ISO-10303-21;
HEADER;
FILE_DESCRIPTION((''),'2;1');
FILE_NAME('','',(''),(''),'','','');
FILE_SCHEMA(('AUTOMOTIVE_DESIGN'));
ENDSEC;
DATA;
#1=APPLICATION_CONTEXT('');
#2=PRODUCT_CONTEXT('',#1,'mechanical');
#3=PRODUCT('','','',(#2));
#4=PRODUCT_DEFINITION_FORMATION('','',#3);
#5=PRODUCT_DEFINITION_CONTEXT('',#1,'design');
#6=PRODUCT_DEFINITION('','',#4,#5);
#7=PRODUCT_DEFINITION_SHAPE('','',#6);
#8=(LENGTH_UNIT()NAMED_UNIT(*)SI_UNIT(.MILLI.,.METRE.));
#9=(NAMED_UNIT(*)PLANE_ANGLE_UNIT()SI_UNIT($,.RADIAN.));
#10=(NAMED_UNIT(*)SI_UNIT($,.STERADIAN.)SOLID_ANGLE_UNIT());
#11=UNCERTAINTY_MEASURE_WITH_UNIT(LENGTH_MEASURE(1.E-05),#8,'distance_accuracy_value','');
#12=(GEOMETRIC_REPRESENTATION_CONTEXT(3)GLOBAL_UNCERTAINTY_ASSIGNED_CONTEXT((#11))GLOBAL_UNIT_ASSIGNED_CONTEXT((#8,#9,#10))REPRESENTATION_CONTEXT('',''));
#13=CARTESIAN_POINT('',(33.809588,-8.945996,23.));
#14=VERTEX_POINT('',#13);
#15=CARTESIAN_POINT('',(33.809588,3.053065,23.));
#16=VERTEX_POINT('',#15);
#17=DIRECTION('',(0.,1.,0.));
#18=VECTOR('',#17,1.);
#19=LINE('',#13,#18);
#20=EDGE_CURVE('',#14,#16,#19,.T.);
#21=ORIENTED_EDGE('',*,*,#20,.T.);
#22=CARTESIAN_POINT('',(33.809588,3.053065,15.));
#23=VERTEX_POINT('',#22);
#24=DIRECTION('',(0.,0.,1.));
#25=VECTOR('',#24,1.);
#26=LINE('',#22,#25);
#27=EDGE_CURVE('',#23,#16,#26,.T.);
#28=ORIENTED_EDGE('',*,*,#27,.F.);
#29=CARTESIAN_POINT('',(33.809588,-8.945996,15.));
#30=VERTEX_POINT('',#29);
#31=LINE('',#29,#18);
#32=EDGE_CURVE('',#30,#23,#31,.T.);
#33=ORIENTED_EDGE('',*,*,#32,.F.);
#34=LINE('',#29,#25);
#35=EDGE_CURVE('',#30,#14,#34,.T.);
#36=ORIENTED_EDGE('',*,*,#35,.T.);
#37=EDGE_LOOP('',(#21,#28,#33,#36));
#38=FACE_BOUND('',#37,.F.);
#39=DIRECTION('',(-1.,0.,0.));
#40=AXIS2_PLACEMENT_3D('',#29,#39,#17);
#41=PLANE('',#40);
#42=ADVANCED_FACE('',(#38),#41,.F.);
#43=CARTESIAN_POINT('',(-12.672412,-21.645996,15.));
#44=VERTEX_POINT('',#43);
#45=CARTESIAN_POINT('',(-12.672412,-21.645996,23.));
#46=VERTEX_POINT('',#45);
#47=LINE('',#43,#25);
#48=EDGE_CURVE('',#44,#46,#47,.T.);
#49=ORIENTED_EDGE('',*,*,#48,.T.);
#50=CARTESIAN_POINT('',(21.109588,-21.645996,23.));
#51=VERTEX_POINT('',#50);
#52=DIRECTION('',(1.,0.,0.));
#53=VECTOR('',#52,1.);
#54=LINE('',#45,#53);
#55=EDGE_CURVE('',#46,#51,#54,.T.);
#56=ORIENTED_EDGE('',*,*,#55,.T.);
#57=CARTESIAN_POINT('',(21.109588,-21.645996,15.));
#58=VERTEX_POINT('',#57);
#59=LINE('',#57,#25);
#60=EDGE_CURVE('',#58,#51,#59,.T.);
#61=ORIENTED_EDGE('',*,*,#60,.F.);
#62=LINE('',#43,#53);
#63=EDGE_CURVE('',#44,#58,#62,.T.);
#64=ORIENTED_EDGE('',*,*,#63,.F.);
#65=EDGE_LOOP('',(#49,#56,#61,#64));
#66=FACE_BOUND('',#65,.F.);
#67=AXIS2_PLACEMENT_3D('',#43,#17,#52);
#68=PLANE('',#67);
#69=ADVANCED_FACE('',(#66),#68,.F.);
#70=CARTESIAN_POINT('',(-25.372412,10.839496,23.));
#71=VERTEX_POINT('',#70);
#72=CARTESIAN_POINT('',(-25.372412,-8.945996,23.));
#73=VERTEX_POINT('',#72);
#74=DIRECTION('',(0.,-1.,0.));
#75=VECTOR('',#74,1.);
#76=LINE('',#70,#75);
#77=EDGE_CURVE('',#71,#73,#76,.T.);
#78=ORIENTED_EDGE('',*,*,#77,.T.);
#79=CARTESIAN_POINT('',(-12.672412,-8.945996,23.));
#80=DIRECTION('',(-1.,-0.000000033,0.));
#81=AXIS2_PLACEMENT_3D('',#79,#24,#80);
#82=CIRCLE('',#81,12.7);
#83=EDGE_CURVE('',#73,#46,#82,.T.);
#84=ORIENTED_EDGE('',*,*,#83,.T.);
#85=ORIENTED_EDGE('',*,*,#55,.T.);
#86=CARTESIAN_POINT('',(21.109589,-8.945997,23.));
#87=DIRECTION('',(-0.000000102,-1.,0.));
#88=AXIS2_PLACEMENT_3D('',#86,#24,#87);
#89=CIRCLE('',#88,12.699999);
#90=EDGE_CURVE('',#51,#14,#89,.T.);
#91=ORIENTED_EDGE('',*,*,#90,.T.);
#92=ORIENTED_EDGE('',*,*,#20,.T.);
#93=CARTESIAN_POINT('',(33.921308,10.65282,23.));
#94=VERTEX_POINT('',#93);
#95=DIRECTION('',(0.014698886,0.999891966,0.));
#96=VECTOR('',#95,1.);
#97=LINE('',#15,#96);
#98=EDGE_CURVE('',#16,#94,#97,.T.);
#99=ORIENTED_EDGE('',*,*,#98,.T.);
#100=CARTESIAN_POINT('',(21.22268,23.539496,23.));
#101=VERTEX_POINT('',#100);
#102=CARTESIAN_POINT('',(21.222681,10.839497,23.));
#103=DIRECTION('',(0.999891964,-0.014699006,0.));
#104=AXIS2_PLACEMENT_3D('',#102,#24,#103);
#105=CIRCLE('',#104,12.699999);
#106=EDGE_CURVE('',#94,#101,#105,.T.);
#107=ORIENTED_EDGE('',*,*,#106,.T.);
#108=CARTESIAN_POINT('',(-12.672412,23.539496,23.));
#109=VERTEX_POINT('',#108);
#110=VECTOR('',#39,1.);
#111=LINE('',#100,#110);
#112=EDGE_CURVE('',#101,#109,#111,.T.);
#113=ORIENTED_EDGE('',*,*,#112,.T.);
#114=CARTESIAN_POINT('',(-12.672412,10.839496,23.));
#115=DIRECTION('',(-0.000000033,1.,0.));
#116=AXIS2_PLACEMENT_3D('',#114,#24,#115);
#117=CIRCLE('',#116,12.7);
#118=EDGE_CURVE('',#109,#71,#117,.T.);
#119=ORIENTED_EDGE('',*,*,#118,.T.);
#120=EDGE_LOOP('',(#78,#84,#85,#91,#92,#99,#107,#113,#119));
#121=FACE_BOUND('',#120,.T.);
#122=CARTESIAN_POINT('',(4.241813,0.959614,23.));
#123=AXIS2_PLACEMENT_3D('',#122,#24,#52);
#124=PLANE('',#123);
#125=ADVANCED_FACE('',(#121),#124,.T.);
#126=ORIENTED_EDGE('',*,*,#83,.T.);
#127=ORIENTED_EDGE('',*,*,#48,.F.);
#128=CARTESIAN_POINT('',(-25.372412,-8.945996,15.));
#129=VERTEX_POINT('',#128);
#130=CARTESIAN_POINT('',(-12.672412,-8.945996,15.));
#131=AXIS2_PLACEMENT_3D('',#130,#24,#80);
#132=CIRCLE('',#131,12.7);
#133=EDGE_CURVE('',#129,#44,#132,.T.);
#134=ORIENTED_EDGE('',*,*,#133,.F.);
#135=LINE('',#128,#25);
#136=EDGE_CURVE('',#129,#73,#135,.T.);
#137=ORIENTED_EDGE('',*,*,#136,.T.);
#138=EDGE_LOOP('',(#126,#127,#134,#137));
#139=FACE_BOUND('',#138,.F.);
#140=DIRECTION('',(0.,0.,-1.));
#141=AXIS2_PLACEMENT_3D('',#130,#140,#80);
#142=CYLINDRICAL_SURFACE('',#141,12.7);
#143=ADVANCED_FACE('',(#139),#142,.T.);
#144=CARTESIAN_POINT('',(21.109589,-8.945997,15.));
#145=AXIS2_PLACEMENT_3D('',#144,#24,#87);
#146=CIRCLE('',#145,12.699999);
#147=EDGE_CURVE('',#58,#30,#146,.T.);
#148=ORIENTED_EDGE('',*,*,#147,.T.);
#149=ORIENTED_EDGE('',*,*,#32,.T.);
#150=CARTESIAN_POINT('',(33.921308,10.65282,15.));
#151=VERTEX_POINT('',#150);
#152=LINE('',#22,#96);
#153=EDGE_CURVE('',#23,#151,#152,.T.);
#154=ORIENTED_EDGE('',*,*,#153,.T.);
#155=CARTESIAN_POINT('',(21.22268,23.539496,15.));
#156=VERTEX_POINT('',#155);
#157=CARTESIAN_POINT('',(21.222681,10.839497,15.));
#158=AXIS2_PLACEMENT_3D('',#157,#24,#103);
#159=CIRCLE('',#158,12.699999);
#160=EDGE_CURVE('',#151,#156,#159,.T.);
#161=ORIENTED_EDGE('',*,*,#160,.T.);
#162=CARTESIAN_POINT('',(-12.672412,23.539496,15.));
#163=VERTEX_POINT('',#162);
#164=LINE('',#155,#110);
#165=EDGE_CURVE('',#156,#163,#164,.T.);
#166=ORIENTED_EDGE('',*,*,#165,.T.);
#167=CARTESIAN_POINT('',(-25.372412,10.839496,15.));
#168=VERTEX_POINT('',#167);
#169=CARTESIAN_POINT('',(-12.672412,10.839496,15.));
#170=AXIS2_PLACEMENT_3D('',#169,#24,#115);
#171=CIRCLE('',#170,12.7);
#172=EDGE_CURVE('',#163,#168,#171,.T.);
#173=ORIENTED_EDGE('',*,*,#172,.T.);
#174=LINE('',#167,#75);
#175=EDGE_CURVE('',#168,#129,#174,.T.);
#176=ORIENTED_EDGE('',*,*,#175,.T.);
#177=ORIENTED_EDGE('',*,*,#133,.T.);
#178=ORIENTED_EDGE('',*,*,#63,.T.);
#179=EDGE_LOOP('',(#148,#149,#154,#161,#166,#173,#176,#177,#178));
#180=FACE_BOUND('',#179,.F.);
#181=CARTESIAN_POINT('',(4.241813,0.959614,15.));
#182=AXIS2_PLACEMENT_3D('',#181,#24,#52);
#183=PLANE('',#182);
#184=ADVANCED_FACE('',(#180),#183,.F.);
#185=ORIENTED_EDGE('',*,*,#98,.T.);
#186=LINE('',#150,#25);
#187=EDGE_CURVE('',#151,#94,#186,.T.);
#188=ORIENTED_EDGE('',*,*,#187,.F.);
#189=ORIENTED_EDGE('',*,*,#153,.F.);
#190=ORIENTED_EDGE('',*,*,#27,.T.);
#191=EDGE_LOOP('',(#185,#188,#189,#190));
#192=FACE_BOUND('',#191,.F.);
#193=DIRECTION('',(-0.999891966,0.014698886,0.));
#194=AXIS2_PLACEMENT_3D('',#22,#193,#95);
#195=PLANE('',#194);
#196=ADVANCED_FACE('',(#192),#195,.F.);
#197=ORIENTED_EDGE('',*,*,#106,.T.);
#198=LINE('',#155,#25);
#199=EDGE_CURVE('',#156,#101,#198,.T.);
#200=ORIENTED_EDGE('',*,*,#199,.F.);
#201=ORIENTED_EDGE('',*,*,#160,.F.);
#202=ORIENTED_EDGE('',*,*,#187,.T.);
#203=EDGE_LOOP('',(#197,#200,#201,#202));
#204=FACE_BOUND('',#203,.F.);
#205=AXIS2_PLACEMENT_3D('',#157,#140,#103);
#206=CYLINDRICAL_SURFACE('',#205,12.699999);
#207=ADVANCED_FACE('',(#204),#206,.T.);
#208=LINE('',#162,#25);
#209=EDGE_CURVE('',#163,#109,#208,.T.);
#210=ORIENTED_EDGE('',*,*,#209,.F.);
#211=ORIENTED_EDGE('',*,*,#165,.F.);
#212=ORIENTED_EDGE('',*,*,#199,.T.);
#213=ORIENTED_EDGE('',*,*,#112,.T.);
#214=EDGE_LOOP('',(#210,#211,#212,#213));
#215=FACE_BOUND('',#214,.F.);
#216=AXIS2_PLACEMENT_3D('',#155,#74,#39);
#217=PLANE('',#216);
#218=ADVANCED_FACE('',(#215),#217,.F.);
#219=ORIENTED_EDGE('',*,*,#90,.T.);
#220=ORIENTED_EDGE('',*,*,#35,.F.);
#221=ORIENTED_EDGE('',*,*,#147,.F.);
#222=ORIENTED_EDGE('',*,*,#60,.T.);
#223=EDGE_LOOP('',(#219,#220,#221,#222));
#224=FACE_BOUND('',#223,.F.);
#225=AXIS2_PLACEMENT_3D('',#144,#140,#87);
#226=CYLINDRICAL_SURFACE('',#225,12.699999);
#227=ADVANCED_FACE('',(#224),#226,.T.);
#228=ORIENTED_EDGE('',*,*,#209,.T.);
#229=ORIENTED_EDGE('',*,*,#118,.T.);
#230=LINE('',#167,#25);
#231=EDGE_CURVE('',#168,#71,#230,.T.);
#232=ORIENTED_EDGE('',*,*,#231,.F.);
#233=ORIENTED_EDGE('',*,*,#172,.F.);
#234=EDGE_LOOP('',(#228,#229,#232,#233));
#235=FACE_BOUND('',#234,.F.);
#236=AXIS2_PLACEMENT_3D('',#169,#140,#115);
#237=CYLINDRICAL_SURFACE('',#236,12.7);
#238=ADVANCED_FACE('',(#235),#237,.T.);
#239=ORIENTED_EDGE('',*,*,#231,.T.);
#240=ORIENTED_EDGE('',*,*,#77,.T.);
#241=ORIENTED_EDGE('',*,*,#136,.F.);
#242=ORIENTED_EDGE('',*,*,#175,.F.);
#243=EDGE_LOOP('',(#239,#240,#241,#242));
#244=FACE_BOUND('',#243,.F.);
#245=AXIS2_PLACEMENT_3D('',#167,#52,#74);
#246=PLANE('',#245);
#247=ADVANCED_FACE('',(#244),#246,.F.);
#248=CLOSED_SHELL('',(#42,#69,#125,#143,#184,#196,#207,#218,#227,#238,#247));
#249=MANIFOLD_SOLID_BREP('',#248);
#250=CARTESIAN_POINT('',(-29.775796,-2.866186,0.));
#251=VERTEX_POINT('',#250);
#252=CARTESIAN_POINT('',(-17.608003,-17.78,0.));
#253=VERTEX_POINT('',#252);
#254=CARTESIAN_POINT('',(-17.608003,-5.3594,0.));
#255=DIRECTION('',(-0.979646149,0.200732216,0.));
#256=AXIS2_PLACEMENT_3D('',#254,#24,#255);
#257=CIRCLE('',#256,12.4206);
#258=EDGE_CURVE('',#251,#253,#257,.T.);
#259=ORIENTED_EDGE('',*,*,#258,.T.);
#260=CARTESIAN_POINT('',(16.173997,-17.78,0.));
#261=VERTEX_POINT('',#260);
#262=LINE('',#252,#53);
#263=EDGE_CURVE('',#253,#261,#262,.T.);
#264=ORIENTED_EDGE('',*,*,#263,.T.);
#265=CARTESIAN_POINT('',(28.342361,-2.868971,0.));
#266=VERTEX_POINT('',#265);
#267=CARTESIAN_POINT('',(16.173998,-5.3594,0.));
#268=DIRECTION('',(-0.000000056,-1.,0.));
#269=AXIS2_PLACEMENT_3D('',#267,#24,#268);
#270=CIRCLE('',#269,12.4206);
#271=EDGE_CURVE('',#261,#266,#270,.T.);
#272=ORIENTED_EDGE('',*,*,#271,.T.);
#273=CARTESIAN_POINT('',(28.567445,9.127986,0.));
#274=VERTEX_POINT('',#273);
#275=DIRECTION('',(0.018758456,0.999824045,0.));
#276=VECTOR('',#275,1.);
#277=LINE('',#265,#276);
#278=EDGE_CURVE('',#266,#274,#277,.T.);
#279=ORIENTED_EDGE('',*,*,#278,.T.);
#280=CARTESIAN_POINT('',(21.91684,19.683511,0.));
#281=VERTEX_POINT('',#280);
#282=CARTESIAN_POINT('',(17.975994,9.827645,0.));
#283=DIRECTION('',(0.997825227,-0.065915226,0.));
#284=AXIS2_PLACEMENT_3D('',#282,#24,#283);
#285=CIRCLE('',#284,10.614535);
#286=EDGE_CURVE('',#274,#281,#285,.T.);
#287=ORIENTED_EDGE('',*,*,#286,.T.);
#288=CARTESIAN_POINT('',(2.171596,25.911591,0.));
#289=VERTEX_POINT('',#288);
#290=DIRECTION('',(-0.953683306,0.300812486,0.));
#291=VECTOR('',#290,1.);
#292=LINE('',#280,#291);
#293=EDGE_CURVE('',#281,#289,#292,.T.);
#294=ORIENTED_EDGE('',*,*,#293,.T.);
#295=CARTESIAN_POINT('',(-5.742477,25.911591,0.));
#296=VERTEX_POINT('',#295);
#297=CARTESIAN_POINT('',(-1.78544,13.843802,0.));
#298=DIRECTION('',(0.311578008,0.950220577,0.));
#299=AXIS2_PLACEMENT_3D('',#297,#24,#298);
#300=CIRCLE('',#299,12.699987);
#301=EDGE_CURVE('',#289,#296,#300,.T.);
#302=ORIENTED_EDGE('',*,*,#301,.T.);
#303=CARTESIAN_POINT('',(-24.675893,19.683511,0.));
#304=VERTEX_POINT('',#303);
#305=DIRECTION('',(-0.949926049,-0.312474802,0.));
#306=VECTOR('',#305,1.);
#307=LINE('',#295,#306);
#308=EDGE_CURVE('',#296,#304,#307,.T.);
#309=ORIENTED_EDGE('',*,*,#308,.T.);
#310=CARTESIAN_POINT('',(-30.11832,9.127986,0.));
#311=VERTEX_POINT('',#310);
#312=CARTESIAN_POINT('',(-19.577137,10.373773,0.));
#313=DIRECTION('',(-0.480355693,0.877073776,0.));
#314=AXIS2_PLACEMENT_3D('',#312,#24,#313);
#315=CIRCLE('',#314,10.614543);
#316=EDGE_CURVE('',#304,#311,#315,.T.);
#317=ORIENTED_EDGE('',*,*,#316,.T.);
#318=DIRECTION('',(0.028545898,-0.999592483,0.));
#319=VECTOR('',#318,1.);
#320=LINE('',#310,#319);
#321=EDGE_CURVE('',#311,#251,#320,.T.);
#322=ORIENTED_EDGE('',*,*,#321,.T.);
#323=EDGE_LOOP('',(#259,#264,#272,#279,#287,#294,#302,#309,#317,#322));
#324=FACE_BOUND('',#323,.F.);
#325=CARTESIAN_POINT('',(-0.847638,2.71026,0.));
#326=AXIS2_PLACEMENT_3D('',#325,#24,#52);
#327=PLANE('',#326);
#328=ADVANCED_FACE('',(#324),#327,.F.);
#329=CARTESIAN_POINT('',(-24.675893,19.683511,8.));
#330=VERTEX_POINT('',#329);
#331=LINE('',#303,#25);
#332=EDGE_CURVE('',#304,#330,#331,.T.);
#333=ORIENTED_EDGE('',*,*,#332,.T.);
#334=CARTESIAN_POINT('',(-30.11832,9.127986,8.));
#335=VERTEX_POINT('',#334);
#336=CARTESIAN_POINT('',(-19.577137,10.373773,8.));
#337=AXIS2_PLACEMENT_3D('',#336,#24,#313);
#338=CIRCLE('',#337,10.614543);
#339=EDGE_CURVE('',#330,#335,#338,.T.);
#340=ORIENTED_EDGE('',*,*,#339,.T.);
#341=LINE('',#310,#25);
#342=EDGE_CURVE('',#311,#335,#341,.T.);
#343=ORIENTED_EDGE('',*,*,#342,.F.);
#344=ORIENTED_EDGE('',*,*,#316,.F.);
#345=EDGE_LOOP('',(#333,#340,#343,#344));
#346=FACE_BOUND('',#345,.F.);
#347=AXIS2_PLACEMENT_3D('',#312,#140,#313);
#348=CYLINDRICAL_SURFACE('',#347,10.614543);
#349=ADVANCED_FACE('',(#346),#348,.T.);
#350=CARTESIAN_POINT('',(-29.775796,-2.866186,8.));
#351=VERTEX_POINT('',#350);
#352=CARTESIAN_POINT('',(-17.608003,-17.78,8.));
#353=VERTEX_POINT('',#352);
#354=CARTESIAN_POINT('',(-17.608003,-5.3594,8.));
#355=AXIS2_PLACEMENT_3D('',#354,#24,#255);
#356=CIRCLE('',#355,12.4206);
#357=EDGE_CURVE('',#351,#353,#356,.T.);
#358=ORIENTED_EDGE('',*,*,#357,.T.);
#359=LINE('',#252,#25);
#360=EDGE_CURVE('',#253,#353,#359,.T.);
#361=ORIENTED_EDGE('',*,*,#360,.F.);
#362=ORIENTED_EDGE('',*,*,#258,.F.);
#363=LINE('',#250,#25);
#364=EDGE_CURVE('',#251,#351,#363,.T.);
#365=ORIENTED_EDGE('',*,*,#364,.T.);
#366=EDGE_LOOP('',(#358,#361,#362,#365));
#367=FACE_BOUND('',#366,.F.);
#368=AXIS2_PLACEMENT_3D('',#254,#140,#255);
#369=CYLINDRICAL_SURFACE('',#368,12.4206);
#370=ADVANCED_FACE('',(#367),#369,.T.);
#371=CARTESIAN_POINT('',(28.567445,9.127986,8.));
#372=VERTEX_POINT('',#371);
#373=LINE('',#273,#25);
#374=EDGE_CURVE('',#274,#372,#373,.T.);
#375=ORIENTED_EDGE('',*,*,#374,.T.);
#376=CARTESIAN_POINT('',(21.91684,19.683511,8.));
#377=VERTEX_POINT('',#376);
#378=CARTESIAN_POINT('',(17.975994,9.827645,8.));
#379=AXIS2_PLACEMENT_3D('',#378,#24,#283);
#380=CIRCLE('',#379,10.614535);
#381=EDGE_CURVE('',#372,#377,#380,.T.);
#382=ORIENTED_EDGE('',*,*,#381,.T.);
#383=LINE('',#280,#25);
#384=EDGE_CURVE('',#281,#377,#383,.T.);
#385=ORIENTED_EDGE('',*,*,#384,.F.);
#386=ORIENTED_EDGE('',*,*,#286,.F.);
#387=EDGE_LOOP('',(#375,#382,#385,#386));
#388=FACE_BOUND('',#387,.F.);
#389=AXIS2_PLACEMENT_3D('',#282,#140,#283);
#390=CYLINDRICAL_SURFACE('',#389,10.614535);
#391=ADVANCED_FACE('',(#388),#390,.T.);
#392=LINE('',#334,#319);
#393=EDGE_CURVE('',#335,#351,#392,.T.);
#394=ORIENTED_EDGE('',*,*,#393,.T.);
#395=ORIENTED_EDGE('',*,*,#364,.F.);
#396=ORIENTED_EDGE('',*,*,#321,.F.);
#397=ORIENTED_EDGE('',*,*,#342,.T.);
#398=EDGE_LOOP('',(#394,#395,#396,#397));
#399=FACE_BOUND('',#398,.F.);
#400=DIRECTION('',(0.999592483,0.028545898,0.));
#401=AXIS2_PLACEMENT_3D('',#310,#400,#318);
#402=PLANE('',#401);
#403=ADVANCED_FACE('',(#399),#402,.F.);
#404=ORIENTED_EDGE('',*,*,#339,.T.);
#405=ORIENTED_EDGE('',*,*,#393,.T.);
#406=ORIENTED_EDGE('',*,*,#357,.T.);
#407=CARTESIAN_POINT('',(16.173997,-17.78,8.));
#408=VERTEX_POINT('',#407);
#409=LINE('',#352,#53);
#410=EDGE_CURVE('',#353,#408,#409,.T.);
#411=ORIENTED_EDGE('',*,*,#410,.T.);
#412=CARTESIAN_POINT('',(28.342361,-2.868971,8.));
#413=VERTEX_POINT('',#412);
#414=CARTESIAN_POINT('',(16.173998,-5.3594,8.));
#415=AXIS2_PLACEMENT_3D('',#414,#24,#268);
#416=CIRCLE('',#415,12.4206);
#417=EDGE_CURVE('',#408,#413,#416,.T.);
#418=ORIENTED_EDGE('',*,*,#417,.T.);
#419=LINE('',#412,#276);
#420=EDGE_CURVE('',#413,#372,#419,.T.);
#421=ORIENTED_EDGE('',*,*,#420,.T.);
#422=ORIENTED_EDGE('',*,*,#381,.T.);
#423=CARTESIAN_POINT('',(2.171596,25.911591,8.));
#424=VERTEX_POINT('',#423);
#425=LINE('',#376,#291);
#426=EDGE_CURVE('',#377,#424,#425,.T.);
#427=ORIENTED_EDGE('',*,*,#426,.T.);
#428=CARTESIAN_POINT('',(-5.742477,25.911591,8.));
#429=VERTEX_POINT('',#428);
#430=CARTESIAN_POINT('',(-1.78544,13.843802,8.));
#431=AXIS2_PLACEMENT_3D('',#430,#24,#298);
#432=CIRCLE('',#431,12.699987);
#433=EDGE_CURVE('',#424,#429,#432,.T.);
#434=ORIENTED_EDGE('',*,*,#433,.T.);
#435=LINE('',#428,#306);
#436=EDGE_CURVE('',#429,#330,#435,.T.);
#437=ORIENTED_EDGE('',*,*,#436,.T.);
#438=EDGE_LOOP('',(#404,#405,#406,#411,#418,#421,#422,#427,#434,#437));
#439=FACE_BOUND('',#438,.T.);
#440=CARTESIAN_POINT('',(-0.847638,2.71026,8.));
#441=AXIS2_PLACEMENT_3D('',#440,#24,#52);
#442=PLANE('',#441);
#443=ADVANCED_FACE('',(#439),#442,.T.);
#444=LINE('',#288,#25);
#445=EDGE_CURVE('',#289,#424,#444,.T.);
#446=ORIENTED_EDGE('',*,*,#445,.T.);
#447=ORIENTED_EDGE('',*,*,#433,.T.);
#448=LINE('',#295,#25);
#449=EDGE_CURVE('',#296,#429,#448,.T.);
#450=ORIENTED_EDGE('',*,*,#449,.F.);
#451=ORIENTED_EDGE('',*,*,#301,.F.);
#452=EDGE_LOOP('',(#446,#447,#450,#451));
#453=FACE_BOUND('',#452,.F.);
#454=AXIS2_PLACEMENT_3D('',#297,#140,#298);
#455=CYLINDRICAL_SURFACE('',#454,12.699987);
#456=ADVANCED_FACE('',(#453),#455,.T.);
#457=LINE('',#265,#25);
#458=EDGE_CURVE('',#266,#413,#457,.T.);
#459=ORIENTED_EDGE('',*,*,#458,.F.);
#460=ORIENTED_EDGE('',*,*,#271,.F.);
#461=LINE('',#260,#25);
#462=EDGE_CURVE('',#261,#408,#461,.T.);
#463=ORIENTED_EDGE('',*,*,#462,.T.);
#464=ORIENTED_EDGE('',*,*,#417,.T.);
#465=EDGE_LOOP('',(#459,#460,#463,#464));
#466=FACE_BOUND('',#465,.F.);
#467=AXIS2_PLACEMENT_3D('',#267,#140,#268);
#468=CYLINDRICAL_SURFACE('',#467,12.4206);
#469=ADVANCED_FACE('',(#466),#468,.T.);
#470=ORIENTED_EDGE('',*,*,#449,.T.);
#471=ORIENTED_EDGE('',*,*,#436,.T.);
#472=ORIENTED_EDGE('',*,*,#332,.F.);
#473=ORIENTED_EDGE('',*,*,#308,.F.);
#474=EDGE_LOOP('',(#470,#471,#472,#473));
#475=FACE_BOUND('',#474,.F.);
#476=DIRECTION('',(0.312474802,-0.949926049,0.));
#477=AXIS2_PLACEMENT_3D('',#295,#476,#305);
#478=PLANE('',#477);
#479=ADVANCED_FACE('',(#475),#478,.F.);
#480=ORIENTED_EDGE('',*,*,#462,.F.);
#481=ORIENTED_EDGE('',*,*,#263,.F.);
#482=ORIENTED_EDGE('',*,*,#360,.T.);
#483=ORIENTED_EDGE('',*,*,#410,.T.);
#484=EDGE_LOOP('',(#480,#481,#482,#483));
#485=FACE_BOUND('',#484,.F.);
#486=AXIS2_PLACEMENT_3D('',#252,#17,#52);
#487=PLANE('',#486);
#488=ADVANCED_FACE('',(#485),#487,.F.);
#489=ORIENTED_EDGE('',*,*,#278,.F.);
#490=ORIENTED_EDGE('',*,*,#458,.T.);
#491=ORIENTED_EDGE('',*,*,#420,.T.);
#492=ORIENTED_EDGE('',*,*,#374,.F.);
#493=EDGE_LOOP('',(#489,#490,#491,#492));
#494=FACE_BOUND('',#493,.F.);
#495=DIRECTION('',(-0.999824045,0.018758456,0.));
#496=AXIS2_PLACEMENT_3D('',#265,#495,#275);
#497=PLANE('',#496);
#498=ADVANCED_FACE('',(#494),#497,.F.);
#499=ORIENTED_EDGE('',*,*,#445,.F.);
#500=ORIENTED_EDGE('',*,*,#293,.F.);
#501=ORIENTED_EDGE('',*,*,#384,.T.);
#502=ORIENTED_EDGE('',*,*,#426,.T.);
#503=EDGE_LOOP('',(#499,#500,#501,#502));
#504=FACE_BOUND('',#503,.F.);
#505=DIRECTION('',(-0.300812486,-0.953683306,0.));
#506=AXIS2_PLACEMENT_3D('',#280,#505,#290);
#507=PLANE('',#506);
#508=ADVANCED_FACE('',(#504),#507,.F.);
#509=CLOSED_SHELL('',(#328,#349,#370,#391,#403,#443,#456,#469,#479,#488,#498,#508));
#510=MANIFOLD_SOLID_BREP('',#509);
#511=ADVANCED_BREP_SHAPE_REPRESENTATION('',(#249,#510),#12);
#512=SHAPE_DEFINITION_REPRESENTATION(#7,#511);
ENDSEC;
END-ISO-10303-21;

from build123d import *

# Parameters (mm, degrees)
F1_DEPTH = 8
F4_DEPTH = 8


with BuildPart() as f1:
    # F0 (on Top) → F1 (new body)
    with BuildSketch(Plane.XY):
        with BuildLine():
            Line((-17.608003, -17.78), (16.173997, -17.78))
            ThreePointArc((16.173997, -17.78), (25.796989, -13.212383), (28.342361, -2.868971))
            Line((28.342361, -2.868971), (28.567445, 9.127986))
            ThreePointArc((28.567445, 9.127986), (26.956623, 15.485972), (21.91684, 19.683511))
            Line((21.91684, 19.683511), (2.171596, 25.911591))
            ThreePointArc((2.171596, 25.911591), (-1.78544, 26.543789), (-5.742477, 25.911591))
            Line((-5.742477, 25.911591), (-24.675893, 19.683511))
            ThreePointArc((-24.675893, 19.683511), (-29.011473, 15.238116), (-30.11832, 9.127986))
            Line((-30.11832, 9.127986), (-29.775796, -2.866186))
            ThreePointArc((-29.775796, -2.866186), (-27.231893, -13.211282), (-17.608003, -17.78))
        make_face()
    extrude(amount=F1_DEPTH)


with BuildPart() as f4:
    # F3 (on offset) → F4 (new body)
    with BuildSketch(Plane.XY.offset(15)):
        with BuildLine():
            Line((-12.672412, -21.645996), (21.109588, -21.645996))
            ThreePointArc((21.109588, -21.645996), (30.089845, -17.926252), (33.809588, -8.945996))
            Line((33.809588, -8.945996), (33.809588, 3.053065))
            Line((33.809588, 3.053065), (33.921308, 10.65282))
            ThreePointArc((33.921308, 10.65282), (30.268696, 19.753508), (21.22268, 23.539496))
            Line((21.22268, 23.539496), (3.957036, 23.539496))
            Line((3.957036, 23.539496), (-3.957036, 23.539496))
            Line((-3.957036, 23.539496), (-12.672412, 23.539496))
            ThreePointArc((-12.672412, 23.539496), (-21.652668, 19.819752), (-25.372412, 10.839496))
            Line((-25.372412, 10.839496), (-25.372412, 3.053065))
            Line((-25.372412, 3.053065), (-25.372412, -8.945996))
            ThreePointArc((-25.372412, -8.945996), (-21.652668, -17.926252), (-12.672412, -21.645996))
        make_face()
    extrude(amount=F4_DEPTH)


solid = Compound([f1.part, f4.part])
